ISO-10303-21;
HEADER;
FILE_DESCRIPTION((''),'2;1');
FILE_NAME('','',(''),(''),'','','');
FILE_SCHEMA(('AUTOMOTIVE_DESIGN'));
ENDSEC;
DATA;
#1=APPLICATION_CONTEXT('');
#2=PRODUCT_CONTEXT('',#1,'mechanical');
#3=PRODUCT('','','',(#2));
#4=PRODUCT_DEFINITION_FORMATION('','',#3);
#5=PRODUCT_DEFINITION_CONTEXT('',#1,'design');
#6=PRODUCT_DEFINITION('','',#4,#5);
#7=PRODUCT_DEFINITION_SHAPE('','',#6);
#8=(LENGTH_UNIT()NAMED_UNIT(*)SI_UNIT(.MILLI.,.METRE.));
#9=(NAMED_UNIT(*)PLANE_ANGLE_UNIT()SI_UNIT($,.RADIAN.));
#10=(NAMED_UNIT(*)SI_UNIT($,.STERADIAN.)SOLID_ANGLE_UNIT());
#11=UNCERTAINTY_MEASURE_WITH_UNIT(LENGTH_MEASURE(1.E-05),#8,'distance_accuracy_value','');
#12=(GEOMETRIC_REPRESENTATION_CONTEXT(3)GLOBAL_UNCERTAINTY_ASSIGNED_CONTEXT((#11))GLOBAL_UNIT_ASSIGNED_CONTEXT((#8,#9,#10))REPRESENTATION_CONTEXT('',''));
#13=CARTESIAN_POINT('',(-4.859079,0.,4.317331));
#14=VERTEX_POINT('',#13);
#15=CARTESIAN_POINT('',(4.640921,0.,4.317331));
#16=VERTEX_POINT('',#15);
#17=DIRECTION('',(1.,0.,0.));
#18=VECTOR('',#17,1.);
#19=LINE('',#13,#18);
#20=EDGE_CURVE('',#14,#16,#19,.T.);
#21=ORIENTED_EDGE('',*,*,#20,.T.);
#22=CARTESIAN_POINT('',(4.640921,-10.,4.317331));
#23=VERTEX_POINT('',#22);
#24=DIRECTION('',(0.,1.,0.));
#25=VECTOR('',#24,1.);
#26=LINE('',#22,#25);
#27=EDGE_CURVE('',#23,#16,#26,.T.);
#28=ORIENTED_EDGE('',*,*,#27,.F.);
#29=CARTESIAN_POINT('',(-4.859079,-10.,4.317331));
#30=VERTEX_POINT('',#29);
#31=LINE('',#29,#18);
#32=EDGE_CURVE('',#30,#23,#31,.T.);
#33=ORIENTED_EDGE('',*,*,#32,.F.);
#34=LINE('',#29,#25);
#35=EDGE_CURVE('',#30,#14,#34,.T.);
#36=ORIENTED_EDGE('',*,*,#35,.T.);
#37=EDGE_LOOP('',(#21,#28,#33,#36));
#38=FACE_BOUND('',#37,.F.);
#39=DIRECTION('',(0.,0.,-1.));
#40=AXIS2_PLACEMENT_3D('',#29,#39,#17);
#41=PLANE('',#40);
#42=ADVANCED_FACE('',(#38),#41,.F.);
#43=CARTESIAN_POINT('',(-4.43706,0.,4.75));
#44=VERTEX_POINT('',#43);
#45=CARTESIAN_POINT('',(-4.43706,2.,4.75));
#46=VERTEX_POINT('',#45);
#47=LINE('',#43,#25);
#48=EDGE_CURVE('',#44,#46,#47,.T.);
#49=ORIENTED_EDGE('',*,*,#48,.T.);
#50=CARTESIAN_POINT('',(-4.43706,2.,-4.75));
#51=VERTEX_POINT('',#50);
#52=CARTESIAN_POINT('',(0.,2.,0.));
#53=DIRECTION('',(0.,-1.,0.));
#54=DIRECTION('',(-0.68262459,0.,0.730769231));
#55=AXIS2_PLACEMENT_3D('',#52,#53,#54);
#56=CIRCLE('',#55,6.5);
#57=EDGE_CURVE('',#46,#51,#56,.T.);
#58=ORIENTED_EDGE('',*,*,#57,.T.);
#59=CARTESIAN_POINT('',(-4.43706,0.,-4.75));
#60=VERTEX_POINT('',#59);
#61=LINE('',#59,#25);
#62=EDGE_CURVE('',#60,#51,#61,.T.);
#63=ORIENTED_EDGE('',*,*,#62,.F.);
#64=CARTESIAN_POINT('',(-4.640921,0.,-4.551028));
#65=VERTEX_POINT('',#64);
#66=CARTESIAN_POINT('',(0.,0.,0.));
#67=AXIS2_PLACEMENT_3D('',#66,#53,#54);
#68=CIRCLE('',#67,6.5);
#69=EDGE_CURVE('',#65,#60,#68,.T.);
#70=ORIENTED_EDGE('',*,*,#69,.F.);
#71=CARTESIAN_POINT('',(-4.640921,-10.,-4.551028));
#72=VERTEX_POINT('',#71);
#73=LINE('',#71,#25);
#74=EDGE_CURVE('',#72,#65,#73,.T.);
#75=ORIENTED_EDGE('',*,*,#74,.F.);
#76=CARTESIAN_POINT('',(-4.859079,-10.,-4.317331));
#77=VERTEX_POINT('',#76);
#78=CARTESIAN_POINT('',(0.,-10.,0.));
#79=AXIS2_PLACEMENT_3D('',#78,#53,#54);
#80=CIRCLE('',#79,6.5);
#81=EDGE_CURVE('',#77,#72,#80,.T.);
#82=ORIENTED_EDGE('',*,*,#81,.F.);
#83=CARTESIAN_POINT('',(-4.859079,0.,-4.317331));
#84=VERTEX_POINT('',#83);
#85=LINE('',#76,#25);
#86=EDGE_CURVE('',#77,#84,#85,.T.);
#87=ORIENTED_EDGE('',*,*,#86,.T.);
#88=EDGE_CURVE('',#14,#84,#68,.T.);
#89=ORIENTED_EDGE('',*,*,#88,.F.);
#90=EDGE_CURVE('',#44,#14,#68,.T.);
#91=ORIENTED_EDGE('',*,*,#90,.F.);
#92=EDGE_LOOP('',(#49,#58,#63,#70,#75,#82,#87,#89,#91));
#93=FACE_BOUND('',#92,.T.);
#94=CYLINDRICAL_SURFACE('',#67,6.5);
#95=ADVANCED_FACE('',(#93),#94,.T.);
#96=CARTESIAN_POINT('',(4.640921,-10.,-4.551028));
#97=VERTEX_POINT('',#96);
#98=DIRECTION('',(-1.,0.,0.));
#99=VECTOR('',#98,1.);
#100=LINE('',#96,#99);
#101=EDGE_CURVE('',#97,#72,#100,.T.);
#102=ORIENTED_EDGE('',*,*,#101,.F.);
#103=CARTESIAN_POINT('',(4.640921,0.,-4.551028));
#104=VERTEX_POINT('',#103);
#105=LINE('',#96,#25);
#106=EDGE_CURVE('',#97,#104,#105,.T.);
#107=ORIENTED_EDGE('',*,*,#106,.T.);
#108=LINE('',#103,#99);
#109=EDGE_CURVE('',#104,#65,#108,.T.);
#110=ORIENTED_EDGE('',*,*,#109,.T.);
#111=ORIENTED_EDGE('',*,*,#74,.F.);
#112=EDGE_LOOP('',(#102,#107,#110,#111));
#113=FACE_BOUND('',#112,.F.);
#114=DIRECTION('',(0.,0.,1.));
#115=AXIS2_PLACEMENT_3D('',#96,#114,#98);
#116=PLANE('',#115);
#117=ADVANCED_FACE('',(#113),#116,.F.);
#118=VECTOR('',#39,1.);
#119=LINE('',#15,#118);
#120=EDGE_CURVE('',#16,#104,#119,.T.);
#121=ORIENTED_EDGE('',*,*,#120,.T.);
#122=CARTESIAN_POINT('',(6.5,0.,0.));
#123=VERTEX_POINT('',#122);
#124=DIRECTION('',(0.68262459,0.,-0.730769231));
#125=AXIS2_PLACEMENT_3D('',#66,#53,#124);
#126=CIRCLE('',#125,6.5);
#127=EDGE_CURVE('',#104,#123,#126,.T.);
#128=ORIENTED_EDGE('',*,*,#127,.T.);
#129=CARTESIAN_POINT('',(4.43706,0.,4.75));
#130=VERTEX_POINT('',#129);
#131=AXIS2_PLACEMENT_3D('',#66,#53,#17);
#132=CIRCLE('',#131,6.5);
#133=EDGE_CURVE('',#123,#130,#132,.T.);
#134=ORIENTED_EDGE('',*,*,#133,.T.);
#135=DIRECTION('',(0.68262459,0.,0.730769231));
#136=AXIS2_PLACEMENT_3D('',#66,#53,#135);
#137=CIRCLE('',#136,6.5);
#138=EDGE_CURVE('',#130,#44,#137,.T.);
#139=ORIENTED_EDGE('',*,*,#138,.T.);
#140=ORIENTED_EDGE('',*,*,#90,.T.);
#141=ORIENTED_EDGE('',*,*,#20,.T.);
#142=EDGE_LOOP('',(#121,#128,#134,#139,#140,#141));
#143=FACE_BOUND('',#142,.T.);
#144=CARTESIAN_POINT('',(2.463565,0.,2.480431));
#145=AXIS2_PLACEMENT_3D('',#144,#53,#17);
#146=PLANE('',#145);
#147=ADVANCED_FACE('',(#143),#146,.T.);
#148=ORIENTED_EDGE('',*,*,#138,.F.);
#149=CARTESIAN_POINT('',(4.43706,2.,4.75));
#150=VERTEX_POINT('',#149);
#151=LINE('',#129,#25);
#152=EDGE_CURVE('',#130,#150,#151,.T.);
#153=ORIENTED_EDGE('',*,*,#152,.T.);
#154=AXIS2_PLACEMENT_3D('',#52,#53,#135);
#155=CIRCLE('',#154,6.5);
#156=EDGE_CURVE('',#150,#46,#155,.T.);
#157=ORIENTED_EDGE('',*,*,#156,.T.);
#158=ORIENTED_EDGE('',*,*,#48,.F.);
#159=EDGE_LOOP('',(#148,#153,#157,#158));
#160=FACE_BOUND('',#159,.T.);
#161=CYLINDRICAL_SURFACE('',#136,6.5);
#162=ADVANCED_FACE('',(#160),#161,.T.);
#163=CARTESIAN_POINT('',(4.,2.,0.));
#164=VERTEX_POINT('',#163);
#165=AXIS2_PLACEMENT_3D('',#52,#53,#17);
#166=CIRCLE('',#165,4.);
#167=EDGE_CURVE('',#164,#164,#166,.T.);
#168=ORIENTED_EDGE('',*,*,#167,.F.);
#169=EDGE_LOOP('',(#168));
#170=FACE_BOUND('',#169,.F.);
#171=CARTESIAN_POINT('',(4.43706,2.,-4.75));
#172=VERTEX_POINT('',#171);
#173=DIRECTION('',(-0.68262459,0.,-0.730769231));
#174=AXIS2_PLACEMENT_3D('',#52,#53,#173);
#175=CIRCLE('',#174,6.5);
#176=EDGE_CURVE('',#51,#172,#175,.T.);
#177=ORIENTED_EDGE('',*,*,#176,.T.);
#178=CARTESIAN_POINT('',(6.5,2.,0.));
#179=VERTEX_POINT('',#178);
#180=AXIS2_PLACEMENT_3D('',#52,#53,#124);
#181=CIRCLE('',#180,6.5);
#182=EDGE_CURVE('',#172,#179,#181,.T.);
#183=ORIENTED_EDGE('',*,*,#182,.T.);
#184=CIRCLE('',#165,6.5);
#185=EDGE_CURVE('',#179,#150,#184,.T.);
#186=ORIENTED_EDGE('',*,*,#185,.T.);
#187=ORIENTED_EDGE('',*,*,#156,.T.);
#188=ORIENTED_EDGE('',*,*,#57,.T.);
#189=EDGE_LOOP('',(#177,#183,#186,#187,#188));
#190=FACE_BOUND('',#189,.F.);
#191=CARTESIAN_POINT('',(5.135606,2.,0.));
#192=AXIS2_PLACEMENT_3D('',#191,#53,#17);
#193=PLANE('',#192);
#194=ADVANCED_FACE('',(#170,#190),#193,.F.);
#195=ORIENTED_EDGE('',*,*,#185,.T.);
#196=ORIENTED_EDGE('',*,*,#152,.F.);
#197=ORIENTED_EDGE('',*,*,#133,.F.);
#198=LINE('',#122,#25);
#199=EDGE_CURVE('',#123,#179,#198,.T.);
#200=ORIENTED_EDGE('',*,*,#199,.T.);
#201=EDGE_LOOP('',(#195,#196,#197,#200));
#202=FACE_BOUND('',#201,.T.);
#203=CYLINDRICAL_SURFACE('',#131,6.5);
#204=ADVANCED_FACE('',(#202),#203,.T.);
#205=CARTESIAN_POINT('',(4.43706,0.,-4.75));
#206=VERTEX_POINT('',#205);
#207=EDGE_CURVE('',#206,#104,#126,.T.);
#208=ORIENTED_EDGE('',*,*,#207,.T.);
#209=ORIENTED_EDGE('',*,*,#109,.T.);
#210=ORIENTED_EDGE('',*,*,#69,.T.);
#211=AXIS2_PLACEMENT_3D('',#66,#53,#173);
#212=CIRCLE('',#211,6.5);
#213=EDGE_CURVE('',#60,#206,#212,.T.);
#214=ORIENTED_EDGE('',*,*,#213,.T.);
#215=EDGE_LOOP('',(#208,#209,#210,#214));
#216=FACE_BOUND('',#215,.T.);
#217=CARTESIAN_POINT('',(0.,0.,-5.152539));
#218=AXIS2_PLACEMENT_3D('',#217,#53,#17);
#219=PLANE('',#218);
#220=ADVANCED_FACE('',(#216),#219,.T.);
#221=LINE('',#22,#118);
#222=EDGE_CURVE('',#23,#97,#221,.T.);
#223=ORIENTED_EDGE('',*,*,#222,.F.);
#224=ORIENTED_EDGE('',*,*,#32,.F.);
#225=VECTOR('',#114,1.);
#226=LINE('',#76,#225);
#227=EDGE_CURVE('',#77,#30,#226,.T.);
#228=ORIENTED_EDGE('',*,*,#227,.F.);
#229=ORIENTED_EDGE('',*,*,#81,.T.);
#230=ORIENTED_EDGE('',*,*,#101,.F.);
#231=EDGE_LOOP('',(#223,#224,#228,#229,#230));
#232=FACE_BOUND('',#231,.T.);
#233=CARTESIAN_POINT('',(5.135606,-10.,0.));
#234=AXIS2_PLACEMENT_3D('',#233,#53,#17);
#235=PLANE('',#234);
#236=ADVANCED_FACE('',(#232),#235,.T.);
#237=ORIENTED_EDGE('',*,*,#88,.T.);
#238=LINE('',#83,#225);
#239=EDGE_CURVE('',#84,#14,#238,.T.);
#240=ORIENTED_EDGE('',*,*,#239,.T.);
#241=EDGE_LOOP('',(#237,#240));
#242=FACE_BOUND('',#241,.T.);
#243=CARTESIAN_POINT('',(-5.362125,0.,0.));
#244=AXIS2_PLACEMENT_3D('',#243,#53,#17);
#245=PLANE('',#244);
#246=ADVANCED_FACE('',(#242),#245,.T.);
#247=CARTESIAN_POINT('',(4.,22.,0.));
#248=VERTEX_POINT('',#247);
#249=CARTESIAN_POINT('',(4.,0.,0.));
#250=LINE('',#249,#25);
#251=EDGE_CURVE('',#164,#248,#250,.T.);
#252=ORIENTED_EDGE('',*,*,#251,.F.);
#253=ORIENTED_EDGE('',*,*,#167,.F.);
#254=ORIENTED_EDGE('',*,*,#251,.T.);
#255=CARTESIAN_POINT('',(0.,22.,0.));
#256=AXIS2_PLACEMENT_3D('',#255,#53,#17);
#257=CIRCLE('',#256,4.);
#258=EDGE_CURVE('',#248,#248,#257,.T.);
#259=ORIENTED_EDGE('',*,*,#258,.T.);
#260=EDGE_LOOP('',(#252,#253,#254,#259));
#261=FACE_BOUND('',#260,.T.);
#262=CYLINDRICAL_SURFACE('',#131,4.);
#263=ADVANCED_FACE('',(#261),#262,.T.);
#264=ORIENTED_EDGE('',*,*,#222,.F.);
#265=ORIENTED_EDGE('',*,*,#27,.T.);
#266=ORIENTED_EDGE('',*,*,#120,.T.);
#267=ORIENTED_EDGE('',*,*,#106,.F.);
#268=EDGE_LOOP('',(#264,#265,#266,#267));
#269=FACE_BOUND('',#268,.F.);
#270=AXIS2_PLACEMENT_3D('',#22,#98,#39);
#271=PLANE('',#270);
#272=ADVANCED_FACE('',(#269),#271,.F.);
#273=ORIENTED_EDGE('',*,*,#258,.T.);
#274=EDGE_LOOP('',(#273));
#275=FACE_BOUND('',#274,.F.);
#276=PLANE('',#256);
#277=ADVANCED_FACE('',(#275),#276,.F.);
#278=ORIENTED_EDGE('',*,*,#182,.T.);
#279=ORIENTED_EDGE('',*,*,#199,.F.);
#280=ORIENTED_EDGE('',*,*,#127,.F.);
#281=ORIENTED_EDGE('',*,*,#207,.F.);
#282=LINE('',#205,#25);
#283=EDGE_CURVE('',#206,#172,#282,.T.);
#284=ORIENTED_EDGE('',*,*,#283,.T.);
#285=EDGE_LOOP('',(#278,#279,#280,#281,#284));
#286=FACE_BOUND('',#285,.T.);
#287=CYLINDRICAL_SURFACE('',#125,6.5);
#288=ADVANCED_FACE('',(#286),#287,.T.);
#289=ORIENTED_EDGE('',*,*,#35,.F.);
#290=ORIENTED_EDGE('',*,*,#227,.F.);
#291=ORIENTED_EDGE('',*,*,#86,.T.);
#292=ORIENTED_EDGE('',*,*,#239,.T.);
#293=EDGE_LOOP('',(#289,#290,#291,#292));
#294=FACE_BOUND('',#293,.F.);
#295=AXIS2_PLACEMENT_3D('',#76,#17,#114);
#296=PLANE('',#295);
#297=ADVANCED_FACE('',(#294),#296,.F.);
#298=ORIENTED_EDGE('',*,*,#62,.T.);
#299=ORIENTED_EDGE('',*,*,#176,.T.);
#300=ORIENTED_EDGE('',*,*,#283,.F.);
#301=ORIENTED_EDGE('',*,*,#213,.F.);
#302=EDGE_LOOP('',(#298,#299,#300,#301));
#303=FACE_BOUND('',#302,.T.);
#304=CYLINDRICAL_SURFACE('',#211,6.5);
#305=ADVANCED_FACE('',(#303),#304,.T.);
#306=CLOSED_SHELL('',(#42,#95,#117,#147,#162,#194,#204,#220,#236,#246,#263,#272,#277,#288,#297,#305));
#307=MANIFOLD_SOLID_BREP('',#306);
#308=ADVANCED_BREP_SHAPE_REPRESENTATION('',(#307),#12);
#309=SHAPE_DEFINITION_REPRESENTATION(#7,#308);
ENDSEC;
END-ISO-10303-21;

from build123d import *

# Parameters (mm, degrees)
F0_R     = 4
F1_DEPTH = 22
F0_W     = 8.8741196746
F0_H     = 9.5
F2_DEPTH = 2
F3_DEPTH = 10
F5_DEPTH = 10


with BuildPart() as f1:
    # F0 (on Front) → F1 (new body)
    with BuildSketch(Plane.XZ):
        Circle(F0_R)
    extrude(amount=-F1_DEPTH)

    # F0 (on Front) → F2 (join)
    with BuildSketch(Plane.XZ):
        with BuildLine():
            ThreePointArc((4.4370598373, -4.75), (5.9620000395, -2.5893156487), (6.5, 0))
            ThreePointArc((6.5, 0), (5.9620000395, 2.5893156487), (4.4370598373, 4.75))
            Line((4.4370598373, 4.75), (4.4370598373, -4.75))
        make_face()
        with BuildLine():
            Line((-4.4370598373, 4.75), (4.4370598373, 4.75))
            ThreePointArc((4.4370598373, 4.75), (0, 6.5), (-4.4370598373, 4.75))
        make_face()
        Rectangle(F0_W, F0_H)
        Circle(F0_R, mode=Mode.SUBTRACT)
        with BuildLine():
            ThreePointArc((-4.4370598373, -4.75), (0, -6.5), (4.4370598373, -4.75))
            Line((4.4370598373, -4.75), (-4.4370598373, -4.75))
        make_face()
        with BuildLine():
            Line((-4.4370598373, -4.75), (-4.4370598373, 4.75))
            ThreePointArc((-4.4370598373, 4.75), (-6.5, 0), (-4.4370598373, -4.75))
        make_face()
    extrude(amount=-F2_DEPTH)

    # F3 (add): a face of the model
    f3_faces = [f1.faces().sort_by_distance(p)[0] for p in [
        (0, 0, 0),
    ]]
    extrude(f3_faces, amount=F3_DEPTH)

    # F4 (on face) → F5 (cut)
    with BuildSketch(Plane.XZ.offset(10)):
        with BuildLine():
            ThreePointArc((6.5, 0), (2.3093271481, 6.0759368103), (-4.8590794225, 4.3173310234))
            Line((-4.8590794225, 4.3173310234), (4.6409205775, 4.3173310234))
            Line((4.6409205775, 4.3173310234), (4.6409205775, -4.551028037))
            ThreePointArc((4.6409205775, -4.551028037), (6.0173076934, -2.4580496584), (6.5, 0))
        make_face()
        with BuildLine():
            ThreePointArc((-4.6409205775, -4.551028037), (0, -6.5), (4.6409205775, -4.551028037))
            Line((4.6409205775, -4.551028037), (-4.6409205775, -4.551028037))
        make_face()
        with BuildLine():
            Line((-4.8590794225, -4.3173310234), (-4.8590794225, 4.3173310234))
            ThreePointArc((-4.8590794225, 4.3173310234), (-6.5, 0), (-4.8590794225, -4.3173310234))
        make_face()
    extrude(amount=-F5_DEPTH, mode=Mode.SUBTRACT)


solid = f1.part
